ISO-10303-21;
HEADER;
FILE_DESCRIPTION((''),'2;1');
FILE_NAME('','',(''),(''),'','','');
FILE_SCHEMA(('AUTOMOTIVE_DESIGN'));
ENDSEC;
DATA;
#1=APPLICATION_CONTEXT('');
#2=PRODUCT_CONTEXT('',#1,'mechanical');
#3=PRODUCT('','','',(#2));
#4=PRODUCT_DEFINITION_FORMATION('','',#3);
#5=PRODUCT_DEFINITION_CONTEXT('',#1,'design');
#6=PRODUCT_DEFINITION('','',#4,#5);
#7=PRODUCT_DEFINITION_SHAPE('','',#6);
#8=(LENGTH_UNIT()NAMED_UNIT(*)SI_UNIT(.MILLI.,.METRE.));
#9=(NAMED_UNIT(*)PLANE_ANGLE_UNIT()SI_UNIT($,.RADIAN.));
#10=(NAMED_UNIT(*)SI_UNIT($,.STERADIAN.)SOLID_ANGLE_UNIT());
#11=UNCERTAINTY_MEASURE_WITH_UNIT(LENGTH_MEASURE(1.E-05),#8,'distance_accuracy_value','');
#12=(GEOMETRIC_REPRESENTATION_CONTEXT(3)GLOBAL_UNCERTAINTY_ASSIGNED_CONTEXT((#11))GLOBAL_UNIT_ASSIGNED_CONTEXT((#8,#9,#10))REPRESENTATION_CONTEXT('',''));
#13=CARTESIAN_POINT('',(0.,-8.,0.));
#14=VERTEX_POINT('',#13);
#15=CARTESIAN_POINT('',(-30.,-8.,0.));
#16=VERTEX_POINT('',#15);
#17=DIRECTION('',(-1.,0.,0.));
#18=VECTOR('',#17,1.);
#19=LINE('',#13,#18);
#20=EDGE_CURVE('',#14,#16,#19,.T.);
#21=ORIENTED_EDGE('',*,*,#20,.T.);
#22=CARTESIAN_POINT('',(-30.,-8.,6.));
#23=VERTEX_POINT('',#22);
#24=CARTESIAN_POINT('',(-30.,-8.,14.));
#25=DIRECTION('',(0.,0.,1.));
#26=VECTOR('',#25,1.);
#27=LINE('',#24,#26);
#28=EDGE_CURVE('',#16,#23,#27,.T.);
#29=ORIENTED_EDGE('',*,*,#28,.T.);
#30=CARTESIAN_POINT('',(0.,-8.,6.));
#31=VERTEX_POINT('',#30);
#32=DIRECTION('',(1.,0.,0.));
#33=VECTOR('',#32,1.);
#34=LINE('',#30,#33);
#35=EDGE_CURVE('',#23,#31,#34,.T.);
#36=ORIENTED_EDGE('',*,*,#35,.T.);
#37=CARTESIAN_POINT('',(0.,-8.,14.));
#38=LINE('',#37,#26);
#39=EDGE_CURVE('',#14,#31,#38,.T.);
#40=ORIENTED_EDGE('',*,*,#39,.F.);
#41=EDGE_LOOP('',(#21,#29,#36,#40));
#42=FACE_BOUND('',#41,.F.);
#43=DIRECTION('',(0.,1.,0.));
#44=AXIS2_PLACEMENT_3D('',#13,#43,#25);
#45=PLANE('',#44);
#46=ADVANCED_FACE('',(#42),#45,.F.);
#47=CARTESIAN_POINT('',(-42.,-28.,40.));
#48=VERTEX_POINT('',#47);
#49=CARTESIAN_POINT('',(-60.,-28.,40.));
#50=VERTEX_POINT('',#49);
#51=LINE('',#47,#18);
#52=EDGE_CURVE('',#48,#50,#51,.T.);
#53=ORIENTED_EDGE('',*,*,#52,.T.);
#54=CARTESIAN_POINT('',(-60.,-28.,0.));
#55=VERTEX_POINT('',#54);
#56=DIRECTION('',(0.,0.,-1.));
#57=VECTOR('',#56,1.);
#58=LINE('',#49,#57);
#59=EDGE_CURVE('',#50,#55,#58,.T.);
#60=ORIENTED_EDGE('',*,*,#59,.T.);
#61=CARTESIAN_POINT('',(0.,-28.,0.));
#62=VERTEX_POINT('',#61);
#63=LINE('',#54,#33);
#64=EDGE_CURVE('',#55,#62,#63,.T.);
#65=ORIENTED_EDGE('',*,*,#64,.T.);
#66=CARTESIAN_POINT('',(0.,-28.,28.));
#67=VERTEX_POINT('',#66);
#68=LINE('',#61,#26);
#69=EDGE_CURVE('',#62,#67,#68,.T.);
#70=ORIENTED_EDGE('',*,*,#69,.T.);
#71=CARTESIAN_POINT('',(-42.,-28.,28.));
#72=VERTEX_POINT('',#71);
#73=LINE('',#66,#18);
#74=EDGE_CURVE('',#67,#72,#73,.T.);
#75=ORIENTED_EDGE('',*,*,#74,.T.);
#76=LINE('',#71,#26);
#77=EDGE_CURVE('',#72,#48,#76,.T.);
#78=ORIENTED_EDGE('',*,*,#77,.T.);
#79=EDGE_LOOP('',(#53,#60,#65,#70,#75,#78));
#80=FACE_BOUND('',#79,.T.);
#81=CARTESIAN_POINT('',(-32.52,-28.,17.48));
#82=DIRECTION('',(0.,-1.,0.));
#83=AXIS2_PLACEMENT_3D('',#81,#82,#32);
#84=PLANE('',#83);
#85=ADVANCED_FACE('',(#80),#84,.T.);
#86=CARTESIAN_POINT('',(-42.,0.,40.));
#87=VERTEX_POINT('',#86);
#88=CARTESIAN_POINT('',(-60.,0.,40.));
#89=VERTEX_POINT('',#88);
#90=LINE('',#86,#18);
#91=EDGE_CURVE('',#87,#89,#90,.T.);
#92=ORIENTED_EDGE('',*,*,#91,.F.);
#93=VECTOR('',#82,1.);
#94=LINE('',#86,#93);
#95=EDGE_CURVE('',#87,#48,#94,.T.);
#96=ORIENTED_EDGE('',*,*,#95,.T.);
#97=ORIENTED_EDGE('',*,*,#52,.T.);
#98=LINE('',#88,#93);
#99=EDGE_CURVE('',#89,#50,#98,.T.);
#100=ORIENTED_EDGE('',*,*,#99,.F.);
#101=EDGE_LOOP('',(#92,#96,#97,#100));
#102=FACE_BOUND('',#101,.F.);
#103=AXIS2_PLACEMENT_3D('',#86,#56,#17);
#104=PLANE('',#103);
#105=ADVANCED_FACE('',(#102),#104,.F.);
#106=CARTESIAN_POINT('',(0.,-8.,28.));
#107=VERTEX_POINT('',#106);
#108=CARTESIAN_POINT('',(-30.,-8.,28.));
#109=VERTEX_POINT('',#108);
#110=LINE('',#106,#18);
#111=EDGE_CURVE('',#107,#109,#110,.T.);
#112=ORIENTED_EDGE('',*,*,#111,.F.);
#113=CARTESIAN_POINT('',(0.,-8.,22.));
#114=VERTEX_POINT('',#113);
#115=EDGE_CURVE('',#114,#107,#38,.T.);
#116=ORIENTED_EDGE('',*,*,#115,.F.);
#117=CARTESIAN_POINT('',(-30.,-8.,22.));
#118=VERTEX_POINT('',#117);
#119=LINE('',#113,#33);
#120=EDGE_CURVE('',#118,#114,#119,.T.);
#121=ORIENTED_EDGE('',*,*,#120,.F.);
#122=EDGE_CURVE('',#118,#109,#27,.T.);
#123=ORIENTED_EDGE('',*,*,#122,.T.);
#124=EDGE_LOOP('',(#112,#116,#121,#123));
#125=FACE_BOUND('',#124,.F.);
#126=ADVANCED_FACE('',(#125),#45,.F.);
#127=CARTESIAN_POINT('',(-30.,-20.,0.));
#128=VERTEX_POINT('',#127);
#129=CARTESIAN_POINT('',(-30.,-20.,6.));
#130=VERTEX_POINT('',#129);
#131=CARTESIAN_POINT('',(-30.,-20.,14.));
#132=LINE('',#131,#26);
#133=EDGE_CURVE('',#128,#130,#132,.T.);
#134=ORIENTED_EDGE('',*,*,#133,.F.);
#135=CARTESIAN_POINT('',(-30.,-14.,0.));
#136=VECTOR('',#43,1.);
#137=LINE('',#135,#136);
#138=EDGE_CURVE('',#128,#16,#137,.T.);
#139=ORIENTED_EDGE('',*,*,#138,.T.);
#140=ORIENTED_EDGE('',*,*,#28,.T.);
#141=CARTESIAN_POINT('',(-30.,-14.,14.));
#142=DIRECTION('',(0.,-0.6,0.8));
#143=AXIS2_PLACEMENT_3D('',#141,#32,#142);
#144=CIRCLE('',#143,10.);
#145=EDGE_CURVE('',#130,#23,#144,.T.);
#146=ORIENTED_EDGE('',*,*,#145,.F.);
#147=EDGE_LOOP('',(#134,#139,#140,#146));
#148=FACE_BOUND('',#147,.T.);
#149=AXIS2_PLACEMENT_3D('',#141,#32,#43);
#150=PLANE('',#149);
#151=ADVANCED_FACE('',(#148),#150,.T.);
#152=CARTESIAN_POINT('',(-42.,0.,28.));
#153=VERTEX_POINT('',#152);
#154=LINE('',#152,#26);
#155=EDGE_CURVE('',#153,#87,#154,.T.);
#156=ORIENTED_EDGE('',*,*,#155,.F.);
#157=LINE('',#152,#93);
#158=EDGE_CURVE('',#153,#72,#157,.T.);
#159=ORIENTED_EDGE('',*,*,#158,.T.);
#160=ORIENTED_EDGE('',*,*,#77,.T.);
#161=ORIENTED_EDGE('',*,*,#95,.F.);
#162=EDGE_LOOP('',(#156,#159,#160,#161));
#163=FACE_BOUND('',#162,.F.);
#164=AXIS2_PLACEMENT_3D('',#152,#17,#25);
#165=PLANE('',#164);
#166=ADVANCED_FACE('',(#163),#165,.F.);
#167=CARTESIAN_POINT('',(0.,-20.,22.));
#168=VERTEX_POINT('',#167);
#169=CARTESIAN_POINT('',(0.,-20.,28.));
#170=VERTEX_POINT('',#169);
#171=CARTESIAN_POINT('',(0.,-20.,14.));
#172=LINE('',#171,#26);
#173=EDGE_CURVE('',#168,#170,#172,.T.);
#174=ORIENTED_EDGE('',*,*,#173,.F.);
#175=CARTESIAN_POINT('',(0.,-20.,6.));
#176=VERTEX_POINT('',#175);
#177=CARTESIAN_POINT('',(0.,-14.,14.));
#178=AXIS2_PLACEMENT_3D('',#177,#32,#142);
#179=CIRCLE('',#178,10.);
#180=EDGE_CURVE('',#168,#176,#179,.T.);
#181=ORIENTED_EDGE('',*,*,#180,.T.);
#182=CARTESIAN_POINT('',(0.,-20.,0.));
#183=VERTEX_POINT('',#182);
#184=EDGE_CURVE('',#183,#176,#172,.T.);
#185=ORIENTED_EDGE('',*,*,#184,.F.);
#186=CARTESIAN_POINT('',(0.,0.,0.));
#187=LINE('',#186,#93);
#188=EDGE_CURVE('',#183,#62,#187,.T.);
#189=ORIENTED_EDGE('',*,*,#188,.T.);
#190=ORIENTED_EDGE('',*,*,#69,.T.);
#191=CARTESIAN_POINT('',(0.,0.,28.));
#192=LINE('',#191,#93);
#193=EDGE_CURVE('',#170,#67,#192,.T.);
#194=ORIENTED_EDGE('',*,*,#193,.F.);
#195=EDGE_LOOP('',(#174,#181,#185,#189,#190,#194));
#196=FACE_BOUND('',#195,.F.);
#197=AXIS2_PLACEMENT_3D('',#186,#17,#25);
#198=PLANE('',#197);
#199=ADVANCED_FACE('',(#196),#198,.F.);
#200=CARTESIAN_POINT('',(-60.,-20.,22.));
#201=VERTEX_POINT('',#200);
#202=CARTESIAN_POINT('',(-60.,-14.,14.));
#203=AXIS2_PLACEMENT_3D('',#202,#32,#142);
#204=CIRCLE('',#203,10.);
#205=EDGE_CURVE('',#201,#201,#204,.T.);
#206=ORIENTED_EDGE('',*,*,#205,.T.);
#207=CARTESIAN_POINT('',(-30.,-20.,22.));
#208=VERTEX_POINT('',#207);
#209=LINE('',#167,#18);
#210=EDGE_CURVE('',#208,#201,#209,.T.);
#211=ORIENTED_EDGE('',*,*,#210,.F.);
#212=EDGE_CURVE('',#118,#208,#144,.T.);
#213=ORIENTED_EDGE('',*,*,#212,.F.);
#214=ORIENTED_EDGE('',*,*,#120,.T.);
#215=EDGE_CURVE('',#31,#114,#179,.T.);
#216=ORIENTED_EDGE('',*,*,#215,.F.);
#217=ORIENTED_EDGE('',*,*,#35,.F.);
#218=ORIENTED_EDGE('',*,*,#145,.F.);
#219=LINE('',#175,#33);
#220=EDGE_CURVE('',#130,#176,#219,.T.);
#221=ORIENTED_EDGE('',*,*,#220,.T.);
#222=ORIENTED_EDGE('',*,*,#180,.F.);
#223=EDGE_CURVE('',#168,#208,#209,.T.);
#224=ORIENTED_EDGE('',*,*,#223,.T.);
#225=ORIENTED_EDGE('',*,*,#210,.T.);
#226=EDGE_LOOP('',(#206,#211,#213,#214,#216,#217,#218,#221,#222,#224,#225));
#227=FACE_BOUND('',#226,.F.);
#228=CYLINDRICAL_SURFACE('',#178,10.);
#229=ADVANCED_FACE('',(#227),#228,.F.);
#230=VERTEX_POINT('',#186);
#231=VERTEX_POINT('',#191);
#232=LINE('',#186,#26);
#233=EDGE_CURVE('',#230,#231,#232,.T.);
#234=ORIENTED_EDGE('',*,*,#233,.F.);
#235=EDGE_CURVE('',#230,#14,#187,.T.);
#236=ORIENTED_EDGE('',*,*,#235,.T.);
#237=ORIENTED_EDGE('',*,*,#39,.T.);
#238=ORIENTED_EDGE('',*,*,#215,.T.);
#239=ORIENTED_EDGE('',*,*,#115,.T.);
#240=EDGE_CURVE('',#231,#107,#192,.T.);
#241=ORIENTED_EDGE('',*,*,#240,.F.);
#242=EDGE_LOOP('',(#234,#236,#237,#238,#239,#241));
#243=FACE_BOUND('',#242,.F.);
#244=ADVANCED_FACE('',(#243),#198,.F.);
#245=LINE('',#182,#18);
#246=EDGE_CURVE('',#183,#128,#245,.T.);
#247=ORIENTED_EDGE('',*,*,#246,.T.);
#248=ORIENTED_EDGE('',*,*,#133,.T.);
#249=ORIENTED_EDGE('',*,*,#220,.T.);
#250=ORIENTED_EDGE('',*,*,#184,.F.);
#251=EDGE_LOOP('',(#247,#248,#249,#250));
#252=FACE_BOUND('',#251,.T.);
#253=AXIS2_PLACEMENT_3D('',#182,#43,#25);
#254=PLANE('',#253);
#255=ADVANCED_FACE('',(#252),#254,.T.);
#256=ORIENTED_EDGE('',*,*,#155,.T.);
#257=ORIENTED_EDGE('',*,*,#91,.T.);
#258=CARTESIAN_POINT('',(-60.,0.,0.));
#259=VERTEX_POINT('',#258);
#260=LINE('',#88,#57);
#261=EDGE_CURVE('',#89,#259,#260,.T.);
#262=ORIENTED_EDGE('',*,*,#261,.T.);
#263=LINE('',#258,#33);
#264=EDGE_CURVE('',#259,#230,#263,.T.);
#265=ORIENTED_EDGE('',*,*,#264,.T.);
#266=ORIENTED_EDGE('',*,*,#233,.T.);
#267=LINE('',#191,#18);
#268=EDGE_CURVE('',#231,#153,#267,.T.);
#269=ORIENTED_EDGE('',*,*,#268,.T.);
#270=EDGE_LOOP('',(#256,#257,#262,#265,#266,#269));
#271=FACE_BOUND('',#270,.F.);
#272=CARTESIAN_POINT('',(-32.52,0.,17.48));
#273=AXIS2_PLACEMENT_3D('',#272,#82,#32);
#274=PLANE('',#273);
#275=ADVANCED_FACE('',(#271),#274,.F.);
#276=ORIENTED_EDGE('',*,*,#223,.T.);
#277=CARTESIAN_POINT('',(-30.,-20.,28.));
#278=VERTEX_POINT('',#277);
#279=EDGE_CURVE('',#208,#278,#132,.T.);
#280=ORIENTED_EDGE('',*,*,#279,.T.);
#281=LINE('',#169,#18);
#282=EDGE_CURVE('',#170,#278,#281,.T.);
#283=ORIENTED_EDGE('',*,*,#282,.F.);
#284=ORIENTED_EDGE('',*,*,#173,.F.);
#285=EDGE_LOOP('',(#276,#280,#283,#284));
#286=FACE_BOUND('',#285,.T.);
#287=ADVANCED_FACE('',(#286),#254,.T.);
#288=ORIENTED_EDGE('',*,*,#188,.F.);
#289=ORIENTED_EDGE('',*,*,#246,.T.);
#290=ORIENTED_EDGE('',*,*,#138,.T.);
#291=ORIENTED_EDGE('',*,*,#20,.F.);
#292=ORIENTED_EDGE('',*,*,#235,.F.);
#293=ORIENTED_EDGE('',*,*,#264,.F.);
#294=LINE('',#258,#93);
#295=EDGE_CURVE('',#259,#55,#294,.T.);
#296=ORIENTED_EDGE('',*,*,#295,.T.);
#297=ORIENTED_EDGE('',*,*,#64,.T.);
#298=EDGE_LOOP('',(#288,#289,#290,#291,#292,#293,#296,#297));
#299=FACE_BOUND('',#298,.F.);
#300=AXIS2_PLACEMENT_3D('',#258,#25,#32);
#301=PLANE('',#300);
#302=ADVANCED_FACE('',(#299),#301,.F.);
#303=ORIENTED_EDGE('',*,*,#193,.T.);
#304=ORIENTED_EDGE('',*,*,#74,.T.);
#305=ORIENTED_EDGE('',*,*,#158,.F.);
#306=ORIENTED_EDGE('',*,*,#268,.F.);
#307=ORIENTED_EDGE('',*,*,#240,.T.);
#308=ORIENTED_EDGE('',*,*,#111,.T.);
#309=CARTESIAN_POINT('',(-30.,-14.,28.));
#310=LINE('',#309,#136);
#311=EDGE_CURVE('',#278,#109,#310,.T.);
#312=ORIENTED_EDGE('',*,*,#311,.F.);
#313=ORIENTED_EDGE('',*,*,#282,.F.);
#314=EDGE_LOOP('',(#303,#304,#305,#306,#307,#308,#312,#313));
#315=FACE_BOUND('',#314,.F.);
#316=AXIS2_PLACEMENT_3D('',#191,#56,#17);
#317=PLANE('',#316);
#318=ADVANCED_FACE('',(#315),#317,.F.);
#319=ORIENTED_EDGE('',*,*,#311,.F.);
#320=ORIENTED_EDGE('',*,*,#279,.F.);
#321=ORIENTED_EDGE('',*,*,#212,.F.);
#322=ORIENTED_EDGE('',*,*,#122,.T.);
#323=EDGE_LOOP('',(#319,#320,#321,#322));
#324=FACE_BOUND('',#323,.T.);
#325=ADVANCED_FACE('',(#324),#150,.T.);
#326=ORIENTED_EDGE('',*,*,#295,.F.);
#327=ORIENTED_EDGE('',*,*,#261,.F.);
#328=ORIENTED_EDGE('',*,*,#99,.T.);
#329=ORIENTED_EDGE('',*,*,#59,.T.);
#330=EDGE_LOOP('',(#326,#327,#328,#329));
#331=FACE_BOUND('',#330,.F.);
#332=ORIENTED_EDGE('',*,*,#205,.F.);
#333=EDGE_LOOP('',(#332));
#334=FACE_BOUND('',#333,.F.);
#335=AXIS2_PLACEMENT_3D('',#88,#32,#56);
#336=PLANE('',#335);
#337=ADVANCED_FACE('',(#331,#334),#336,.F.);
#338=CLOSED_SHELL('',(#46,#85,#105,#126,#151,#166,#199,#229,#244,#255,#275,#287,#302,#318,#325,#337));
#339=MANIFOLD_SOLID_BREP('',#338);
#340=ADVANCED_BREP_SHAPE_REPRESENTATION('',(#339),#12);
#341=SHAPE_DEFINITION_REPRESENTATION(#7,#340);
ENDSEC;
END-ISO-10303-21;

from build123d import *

# Parameters (mm, degrees)
F1_DEPTH = 28
F2_W     = 12
F2_H     = 28
F3_DEPTH = 25
F4_DEPTH = 25
F5_W     = 12
F5_H     = 28
F6_DEPTH = 30
F8_DEPTH = 60


with BuildPart() as f1:
    # F0 (on Front) → F1 (new body)
    with BuildSketch(Plane.XZ):
        Polygon((-60, 0), (0, 0), (0, 28), (-42, 28), (-42, 40), (-60, 40), align=None)
    extrude(amount=F1_DEPTH)

    # F2 (on face) → F3 (join)
    with BuildSketch(Plane.YZ):
        with Locations((-14, 14)):
            Rectangle(F2_W, F2_H)
    extrude(amount=F3_DEPTH)

    # F4 (cut): a face of the model
    f4_faces = [f1.faces().sort_by_distance(p)[0] for p in [
        (25, -14, 14),
    ]]
    extrude(f4_faces, amount=-F4_DEPTH, mode=Mode.SUBTRACT)

    # F5 (on face) → F6 (cut)
    with BuildSketch(Plane.YZ):
        with Locations((-14, 14)):
            Rectangle(F5_W, F5_H)
    extrude(amount=-F6_DEPTH, mode=Mode.SUBTRACT)

    # F7 (on face) → F8 (cut)
    with BuildSketch(Plane.YZ):
        with BuildLine():
            Line((-20, 22), (-20, 14))
            Line((-20, 14), (-20, 6))
            ThreePointArc((-20, 6), (-9.527864045, 5.05572809), (-4, 14))
            ThreePointArc((-4, 14), (-9.527864045, 22.94427191), (-20, 22))
        make_face()
        with BuildLine():
            Line((-20, 14), (-24, 14))
            ThreePointArc((-24, 14), (-22.94427191, 9.527864045), (-20, 6))
            Line((-20, 6), (-20, 14))
        make_face()
        with BuildLine():
            ThreePointArc((-20, 22), (-22.94427191, 18.472135955), (-24, 14))
            Line((-24, 14), (-20, 14))
            Line((-20, 14), (-20, 22))
        make_face()
    extrude(amount=-F8_DEPTH, mode=Mode.SUBTRACT)


solid = f1.part
